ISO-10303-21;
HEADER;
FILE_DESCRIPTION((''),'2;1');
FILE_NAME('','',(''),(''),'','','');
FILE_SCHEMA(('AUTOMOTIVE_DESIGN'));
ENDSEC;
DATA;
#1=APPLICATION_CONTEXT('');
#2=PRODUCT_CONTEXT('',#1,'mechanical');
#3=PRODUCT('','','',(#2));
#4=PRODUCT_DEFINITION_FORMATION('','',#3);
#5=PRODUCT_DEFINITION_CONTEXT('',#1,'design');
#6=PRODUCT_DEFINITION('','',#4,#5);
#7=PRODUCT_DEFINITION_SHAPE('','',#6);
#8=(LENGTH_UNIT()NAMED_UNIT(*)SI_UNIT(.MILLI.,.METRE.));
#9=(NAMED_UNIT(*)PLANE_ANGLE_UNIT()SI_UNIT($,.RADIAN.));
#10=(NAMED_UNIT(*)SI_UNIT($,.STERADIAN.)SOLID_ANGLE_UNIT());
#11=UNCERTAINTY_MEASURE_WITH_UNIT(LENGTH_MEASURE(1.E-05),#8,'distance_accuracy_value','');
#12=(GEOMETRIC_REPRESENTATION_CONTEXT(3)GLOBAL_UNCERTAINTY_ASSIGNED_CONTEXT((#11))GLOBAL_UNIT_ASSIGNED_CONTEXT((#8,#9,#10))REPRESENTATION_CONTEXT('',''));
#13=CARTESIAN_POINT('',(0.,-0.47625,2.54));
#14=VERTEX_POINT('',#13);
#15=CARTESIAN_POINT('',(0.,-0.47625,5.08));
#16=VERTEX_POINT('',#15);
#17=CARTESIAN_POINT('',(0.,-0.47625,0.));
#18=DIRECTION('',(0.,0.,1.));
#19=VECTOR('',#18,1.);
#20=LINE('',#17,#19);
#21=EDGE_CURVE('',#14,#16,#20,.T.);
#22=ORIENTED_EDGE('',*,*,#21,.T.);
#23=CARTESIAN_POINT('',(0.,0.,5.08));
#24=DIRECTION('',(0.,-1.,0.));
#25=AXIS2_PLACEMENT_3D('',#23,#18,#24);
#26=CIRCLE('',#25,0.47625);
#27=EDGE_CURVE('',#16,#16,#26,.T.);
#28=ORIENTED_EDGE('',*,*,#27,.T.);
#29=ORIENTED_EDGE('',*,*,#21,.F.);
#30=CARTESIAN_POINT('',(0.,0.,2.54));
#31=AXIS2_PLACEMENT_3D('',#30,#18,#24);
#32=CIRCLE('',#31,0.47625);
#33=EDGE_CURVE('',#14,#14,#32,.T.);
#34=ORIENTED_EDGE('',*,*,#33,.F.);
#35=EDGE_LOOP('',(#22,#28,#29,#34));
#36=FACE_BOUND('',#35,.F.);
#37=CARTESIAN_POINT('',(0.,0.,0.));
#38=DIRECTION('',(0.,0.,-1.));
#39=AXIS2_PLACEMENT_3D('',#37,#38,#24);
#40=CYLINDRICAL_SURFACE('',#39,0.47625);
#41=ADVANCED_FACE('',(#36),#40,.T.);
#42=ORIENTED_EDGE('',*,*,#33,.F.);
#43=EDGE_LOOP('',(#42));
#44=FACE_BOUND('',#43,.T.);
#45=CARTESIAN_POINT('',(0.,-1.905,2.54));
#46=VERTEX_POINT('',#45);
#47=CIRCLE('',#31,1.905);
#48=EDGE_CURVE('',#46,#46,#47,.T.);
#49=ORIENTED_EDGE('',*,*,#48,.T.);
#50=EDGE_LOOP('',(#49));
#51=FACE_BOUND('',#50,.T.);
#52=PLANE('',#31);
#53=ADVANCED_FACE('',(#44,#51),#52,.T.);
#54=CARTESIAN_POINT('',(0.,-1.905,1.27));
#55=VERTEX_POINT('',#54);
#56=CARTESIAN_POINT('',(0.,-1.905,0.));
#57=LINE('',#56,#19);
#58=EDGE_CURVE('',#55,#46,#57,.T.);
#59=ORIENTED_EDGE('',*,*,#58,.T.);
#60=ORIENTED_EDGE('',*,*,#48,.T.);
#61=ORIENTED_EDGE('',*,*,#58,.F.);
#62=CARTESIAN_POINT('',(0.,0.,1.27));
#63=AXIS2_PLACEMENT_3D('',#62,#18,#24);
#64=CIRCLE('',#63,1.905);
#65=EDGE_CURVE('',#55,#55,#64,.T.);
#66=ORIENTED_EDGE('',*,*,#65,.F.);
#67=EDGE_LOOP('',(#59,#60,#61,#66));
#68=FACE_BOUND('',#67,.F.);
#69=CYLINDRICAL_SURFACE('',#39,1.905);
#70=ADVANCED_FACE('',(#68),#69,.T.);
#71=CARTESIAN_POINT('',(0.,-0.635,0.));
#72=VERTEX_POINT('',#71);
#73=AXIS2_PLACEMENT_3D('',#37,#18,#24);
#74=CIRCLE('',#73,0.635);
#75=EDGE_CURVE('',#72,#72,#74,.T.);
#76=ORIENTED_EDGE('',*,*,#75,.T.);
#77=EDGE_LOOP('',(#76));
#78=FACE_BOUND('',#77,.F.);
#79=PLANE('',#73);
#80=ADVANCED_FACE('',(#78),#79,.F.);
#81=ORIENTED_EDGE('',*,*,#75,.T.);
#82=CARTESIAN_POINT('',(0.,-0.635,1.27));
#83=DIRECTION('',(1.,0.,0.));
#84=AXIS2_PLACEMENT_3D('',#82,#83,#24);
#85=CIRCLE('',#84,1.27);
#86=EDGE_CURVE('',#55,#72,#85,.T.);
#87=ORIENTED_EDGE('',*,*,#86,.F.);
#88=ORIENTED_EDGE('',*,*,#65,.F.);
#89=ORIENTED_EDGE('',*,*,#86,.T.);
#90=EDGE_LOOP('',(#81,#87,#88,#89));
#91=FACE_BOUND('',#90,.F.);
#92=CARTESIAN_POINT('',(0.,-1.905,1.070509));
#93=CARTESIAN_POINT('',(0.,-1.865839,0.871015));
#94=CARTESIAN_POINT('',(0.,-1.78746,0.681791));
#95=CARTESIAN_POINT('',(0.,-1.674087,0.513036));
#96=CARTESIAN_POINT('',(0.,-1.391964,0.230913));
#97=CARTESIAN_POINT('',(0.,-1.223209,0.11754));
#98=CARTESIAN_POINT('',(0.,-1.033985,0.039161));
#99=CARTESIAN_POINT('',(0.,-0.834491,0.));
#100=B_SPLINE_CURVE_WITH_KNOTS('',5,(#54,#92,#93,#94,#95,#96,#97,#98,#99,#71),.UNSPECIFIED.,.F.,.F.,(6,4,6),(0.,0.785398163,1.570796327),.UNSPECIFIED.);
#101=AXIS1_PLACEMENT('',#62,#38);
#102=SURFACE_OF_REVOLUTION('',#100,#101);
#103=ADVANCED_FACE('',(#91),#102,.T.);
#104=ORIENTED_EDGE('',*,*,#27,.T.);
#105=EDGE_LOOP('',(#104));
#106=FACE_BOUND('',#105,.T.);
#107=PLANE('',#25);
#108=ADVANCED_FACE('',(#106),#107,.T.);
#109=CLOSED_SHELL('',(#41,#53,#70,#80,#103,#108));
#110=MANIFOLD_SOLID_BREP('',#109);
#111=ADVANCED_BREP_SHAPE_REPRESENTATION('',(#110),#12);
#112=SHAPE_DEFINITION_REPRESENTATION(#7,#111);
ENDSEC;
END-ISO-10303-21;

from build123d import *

# Parameters (mm, degrees)
F0_R     = 1.905
F0_R_2   = 0.47625
F1_DEPTH = 2.54
F2_DEPTH = 5.08
F4_R     = 1.27
F3_R     = 2.58953
F5_DEPTH = 1.906
F6_DEPTH = 25.4
F7_ANGLE = 90


with BuildPart() as f1:
    # F0 (on Top) → F1 (new body)
    with BuildSketch(Plane.XY):
        Circle(F0_R)
        Circle(F0_R_2, mode=Mode.SUBTRACT)
    extrude(amount=F1_DEPTH)

    # F0 (on Top) → F2 (join)
    with BuildSketch(Plane.XY):
        Circle(F0_R_2)
    extrude(amount=F2_DEPTH)

    # F4
    f4_edges = [f1.edges().sort_by_distance(p)[0] for p in [
        (-1.905, 0, 0),
    ]]
    fillet(f4_edges, radius=F4_R)

    # F3 (on Front) → F5 (cut, through all)
    with BuildSketch(Plane.XZ):
        with Locations((8.706267, 1.083521)):
            Circle(F3_R)
    extrude(amount=-F5_DEPTH, mode=Mode.SUBTRACT)

    # F3 (on Front) → F6 (cut)
    with BuildSketch(Plane.XZ):
        with Locations((8.706267, 1.083521)):
            Circle(F3_R)
    extrude(amount=F6_DEPTH, mode=Mode.SUBTRACT)


with BuildPart() as f1_1:
    # F7: moved
    add(f1.part.rotate(Axis((0, 0, 0), (0, 0, -1)), F7_ANGLE))


solid = f1_1.part
